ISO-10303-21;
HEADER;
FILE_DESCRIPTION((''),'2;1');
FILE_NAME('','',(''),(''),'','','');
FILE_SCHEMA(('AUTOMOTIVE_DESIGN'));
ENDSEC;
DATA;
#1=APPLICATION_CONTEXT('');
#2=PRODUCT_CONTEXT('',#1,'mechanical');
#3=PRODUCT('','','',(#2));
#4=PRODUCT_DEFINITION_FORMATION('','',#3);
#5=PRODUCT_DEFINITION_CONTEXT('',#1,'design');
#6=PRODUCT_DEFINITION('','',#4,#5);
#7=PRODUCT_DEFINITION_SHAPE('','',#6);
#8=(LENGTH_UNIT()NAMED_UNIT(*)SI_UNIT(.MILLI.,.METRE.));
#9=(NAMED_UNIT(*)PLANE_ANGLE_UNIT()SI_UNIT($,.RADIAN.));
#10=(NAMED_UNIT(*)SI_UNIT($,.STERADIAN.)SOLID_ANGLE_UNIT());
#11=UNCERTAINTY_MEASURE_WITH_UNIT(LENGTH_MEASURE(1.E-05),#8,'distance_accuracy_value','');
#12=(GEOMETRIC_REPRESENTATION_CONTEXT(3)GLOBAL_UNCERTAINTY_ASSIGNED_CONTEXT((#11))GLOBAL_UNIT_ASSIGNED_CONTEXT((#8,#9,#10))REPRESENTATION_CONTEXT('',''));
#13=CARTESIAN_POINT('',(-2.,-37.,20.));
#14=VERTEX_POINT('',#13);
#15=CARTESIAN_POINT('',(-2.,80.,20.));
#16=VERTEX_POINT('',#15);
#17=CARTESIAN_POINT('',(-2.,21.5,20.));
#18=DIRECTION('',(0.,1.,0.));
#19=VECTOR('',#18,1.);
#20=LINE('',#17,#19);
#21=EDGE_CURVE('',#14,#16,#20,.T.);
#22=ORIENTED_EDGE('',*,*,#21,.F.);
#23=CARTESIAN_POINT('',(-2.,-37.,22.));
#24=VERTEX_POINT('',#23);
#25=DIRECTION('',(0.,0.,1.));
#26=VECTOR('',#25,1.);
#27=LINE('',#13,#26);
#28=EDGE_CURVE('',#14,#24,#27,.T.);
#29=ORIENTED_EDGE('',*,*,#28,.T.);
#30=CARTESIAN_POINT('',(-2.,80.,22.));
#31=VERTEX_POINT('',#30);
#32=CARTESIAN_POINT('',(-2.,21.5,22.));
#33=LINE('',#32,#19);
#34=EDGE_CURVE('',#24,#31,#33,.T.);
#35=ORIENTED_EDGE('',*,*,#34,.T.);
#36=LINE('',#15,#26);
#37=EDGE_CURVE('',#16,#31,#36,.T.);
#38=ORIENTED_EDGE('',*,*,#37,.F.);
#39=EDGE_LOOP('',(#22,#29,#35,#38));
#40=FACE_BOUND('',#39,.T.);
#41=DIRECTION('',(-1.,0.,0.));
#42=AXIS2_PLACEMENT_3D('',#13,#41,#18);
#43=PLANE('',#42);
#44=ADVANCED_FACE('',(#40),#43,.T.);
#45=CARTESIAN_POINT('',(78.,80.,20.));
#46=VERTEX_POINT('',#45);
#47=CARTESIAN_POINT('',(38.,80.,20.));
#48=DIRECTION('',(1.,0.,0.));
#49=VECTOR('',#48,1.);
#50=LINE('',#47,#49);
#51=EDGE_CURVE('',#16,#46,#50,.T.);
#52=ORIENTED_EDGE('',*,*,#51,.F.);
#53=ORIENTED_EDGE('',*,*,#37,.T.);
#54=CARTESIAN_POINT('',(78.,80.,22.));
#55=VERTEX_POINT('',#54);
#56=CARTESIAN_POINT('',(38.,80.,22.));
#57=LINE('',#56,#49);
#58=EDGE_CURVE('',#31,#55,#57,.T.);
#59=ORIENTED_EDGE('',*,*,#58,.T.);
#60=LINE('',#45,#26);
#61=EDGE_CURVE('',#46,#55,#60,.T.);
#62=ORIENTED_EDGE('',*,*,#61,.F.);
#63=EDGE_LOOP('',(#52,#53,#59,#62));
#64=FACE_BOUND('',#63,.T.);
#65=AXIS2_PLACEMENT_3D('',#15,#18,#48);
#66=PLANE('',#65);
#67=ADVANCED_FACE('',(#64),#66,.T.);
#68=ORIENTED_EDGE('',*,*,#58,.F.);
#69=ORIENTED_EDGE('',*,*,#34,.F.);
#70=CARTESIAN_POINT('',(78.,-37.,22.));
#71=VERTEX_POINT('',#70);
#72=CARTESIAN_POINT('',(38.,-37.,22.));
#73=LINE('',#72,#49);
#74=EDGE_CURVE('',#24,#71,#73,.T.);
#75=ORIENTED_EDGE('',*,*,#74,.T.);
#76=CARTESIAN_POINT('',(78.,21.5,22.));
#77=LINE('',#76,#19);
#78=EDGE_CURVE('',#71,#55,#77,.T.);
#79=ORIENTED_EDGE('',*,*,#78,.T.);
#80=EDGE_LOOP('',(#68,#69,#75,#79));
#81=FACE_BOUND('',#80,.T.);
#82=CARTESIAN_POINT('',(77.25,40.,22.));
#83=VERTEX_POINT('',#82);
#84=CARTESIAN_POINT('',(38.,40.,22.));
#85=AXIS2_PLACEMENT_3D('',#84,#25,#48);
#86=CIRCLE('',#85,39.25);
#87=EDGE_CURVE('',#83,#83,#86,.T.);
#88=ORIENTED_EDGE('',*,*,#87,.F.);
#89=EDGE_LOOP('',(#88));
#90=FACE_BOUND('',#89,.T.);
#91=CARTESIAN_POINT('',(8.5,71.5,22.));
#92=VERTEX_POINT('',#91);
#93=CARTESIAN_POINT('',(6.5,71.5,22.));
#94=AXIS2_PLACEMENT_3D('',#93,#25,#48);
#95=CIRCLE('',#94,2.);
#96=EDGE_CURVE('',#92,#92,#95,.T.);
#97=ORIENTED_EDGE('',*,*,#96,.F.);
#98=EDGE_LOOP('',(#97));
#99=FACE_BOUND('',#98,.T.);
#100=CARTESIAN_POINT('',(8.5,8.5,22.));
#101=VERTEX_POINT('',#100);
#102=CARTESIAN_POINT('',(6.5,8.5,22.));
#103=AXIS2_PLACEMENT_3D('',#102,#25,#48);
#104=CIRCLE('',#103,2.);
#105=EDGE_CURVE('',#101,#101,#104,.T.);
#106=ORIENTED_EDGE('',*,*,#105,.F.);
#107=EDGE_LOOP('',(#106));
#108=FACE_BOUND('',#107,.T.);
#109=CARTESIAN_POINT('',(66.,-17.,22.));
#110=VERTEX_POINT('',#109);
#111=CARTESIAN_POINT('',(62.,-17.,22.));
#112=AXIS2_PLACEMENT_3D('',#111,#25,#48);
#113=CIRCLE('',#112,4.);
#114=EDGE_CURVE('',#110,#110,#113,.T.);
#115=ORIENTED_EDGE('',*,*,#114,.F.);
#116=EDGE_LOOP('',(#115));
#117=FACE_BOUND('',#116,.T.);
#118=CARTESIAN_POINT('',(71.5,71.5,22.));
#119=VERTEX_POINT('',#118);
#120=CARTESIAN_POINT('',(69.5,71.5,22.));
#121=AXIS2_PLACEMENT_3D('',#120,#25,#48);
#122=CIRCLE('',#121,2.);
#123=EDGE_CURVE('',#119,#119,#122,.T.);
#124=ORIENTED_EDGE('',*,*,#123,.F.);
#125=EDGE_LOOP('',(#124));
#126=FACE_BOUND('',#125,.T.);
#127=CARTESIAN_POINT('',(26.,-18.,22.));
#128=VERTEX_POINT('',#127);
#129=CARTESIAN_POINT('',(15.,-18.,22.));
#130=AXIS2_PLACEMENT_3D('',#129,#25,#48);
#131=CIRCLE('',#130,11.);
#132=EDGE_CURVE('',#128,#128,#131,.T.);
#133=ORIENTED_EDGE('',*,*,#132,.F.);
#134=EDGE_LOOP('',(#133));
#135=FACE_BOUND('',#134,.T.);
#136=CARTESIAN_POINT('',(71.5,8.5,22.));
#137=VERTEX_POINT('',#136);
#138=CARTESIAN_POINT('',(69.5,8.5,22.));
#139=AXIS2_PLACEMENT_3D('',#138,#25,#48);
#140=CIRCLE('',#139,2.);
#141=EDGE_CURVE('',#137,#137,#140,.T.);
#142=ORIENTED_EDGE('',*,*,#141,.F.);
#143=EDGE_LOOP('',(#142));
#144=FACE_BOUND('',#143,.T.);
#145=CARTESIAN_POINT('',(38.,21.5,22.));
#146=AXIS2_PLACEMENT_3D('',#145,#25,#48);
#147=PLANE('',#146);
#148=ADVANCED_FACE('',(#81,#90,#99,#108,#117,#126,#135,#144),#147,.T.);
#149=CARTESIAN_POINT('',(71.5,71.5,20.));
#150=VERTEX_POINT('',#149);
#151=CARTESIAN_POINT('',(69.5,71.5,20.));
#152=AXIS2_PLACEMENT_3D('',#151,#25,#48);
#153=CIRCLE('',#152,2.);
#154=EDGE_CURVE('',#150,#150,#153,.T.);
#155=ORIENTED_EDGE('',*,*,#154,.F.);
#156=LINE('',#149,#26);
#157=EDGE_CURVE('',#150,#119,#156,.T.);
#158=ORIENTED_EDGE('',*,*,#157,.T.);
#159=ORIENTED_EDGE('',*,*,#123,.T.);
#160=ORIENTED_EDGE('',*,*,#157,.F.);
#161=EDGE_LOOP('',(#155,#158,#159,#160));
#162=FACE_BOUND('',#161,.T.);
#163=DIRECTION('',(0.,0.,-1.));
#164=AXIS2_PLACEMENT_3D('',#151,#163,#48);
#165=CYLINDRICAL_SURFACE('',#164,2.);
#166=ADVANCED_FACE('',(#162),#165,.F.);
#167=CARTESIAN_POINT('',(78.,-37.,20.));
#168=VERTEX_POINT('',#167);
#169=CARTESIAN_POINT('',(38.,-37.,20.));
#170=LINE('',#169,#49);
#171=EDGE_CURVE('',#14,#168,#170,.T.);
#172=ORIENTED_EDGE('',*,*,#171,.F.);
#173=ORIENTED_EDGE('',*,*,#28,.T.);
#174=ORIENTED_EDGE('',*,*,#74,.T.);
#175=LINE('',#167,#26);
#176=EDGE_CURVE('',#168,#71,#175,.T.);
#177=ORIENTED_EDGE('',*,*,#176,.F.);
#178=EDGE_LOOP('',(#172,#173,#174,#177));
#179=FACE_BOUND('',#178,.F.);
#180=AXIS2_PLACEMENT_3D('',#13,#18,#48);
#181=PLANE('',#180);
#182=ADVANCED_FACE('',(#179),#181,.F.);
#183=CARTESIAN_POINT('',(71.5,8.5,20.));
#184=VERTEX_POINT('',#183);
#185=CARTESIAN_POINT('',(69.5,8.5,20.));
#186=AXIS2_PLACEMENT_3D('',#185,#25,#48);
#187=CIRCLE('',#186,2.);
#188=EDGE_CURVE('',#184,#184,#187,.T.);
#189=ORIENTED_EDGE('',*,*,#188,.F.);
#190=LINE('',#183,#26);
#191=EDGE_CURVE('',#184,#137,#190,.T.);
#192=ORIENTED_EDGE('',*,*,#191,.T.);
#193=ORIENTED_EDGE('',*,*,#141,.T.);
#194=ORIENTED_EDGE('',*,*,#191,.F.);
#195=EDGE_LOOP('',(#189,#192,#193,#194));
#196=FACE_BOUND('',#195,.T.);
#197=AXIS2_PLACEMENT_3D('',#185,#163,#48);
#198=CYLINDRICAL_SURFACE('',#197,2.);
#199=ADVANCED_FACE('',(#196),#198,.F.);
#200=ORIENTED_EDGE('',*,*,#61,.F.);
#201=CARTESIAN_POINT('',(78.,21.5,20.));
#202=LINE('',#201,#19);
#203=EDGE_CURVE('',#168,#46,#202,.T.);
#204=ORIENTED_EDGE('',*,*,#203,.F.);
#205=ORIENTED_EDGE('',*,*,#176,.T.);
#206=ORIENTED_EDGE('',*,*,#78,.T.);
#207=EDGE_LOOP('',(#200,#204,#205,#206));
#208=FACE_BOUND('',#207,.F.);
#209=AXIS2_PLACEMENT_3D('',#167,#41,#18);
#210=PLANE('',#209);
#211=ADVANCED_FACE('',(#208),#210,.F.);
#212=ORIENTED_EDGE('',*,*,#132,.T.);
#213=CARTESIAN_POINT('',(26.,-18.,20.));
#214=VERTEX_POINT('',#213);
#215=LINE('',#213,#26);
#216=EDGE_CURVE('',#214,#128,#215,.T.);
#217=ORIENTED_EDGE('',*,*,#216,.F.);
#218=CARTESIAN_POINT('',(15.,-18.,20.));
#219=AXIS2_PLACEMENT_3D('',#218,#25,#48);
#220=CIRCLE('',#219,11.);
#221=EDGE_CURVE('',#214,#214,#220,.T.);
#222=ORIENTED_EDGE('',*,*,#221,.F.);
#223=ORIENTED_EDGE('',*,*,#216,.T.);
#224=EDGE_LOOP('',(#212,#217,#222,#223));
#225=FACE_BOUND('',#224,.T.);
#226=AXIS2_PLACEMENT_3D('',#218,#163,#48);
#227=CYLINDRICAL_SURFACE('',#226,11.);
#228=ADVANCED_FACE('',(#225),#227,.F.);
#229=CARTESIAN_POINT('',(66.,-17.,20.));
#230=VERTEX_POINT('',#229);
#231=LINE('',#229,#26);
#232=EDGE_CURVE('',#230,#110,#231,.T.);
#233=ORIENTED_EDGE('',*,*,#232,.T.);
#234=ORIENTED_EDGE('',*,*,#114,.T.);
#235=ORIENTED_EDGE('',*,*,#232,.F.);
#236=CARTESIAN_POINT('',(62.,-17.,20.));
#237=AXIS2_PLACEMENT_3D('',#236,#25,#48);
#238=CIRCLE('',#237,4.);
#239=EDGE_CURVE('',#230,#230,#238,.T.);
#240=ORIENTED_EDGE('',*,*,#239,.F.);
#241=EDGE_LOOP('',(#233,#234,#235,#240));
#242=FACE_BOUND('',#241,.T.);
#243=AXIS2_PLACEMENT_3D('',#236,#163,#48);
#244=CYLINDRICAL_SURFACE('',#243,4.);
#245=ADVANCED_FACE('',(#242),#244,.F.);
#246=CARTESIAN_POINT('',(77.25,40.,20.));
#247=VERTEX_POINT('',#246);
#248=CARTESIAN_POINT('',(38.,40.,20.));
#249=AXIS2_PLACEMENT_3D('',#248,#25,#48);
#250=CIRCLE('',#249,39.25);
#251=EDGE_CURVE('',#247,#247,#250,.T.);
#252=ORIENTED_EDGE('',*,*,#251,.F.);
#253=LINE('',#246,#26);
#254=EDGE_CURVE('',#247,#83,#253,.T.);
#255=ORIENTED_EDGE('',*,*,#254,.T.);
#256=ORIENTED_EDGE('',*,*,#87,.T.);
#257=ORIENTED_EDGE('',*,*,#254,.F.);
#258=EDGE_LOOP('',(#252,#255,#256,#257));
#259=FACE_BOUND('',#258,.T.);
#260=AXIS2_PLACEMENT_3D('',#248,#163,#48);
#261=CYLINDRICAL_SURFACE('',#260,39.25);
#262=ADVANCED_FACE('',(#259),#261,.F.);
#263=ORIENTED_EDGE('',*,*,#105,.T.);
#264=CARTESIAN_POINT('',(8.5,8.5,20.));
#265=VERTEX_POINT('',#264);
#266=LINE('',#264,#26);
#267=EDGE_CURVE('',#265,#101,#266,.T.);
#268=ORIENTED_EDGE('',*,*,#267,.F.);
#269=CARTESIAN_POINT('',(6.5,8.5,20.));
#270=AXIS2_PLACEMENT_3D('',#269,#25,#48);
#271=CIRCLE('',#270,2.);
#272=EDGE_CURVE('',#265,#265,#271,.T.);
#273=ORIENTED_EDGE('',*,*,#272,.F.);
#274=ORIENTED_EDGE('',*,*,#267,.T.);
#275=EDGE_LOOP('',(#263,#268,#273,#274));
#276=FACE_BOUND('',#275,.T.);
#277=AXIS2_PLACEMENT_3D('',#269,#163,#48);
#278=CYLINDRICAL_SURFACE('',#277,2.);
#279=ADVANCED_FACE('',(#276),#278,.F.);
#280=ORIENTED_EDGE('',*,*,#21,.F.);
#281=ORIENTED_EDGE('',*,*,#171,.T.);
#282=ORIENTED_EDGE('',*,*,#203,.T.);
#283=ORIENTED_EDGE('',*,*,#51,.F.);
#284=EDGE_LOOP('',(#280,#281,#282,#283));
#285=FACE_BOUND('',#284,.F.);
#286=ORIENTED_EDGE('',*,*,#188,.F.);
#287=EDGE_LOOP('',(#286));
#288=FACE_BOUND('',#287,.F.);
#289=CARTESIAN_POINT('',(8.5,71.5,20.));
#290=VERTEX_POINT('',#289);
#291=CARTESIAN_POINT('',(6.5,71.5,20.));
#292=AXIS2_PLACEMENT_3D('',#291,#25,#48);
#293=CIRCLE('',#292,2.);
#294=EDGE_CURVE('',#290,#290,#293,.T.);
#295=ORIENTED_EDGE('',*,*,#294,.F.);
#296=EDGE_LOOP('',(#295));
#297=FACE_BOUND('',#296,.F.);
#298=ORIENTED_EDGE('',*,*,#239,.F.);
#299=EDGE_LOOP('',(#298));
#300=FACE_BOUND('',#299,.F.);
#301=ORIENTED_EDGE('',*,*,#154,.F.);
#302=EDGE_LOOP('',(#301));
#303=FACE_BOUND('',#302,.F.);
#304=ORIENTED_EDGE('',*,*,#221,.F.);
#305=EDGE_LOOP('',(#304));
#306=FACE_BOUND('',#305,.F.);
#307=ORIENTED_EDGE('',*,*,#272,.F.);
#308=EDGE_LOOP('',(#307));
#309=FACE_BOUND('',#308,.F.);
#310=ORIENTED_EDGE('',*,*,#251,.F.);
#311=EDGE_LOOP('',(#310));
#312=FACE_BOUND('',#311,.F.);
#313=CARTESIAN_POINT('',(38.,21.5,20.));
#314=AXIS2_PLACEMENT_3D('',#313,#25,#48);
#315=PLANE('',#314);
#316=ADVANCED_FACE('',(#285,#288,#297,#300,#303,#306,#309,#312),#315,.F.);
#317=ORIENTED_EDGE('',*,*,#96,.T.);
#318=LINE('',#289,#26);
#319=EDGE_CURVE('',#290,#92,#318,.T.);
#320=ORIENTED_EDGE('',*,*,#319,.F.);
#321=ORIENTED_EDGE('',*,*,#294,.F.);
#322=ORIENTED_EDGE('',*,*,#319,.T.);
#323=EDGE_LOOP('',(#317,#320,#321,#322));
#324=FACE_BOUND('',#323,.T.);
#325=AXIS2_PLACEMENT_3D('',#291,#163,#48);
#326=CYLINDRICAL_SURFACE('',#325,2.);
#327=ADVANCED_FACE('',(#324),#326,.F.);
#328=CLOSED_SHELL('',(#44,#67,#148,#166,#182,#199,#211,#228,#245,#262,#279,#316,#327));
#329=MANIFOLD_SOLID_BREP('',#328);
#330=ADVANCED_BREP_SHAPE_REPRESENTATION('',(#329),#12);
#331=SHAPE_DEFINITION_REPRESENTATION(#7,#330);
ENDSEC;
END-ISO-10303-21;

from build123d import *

# Parameters (mm, degrees)
CYLINDER005_R     = 2
CYLINDER005_DEPTH = 2
CYLINDER006_R     = 2
CYLINDER006_DEPTH = 2
CYLINDER004_R     = 2
CYLINDER004_DEPTH = 2
CYLINDER003_R     = 2
CYLINDER003_DEPTH = 2
CYLINDER022_R     = 11
CYLINDER022_DEPTH = 2
CYLINDER023_R     = 4
CYLINDER023_DEPTH = 2
CYLINDER002_R     = 39.25
CYLINDER002_DEPTH = 2
BOX002_W          = 80
BOX002_H          = 117
BOX002_DEPTH      = 2


with BuildPart() as mounthole002:
    # Cylinder005 → Cylinder005 (new body)
    with BuildSketch(Plane(origin=(63, 63, 20), x_dir=(1, 0, 0), z_dir=(0, 0, 1))):
        Circle(CYLINDER005_R)
    extrude(amount=CYLINDER005_DEPTH)


with BuildPart() as mounthole003:
    # Cylinder006 → Cylinder006 (new body)
    with BuildSketch(Plane(origin=(0, 63, 20), x_dir=(1, 0, 0), z_dir=(0, 0, 1))):
        Circle(CYLINDER006_R)
    extrude(amount=CYLINDER006_DEPTH)


with BuildPart() as mounthole001:
    # Cylinder004 → Cylinder004 (new body)
    with BuildSketch(Plane(origin=(63, 0, 20), x_dir=(1, 0, 0), z_dir=(0, 0, 1))):
        Circle(CYLINDER004_R)
    extrude(amount=CYLINDER004_DEPTH)


with BuildPart() as mountholes:
    # Cylinder003 → Cylinder003 (new body)
    with BuildSketch(Plane.XY.offset(20)):
        Circle(CYLINDER003_R)
    extrude(amount=CYLINDER003_DEPTH)

    # Fusion: union MountHole002, MountHole003, MountHole001
    add(mounthole002.part)
    add(mounthole003.part)
    add(mounthole001.part)


with BuildPart() as mountholes_1:
    # Fusion placement: moved
    add(mountholes.part.moved(Location((6.5, 6.5, 0))))


with BuildPart() as mounttubehole:
    # Cylinder022 → Cylinder022 (new body)
    with BuildSketch(Plane(origin=(15, -20, 20), x_dir=(1, 0, 0), z_dir=(0, 0, 1))):
        Circle(CYLINDER022_R)
    extrude(amount=CYLINDER022_DEPTH)


with BuildPart() as volumehole001:
    # Cylinder023 → Cylinder023 (new body)
    with BuildSketch(Plane(origin=(62, -19, 20), x_dir=(1, 0, 0), z_dir=(0, 0, 1))):
        Circle(CYLINDER023_R)
    extrude(amount=CYLINDER023_DEPTH)


with BuildPart() as mountpunch:
    # Cylinder002 → Cylinder002 (new body)
    with BuildSketch(Plane(origin=(38, 38, 20), x_dir=(1, 0, 0), z_dir=(0, 0, 1))):
        Circle(CYLINDER002_R)
    extrude(amount=CYLINDER002_DEPTH)

    # Fusion001: union MountHoles, MountTubeHole, VolumeHole001
    add(mountholes_1.part)
    add(mounttubehole.part)
    add(volumehole001.part)


with BuildPart() as mount:
    # Box002 → Box002 (new body)
    with BuildSketch(Plane(origin=(-2, -39, 20), x_dir=(1, 0, 0), z_dir=(0, 0, 1))):
        with Locations((40, 58.5)):
            Rectangle(BOX002_W, BOX002_H)
    extrude(amount=BOX002_DEPTH)

    # Cut013: cut MOUNTPUNCH
    add(mountpunch.part, mode=Mode.SUBTRACT)


with BuildPart() as mount_1:
    # Cut013 placement: moved
    add(mount.part.moved(Location((0, 2, 0))))


solid = mount_1.part
